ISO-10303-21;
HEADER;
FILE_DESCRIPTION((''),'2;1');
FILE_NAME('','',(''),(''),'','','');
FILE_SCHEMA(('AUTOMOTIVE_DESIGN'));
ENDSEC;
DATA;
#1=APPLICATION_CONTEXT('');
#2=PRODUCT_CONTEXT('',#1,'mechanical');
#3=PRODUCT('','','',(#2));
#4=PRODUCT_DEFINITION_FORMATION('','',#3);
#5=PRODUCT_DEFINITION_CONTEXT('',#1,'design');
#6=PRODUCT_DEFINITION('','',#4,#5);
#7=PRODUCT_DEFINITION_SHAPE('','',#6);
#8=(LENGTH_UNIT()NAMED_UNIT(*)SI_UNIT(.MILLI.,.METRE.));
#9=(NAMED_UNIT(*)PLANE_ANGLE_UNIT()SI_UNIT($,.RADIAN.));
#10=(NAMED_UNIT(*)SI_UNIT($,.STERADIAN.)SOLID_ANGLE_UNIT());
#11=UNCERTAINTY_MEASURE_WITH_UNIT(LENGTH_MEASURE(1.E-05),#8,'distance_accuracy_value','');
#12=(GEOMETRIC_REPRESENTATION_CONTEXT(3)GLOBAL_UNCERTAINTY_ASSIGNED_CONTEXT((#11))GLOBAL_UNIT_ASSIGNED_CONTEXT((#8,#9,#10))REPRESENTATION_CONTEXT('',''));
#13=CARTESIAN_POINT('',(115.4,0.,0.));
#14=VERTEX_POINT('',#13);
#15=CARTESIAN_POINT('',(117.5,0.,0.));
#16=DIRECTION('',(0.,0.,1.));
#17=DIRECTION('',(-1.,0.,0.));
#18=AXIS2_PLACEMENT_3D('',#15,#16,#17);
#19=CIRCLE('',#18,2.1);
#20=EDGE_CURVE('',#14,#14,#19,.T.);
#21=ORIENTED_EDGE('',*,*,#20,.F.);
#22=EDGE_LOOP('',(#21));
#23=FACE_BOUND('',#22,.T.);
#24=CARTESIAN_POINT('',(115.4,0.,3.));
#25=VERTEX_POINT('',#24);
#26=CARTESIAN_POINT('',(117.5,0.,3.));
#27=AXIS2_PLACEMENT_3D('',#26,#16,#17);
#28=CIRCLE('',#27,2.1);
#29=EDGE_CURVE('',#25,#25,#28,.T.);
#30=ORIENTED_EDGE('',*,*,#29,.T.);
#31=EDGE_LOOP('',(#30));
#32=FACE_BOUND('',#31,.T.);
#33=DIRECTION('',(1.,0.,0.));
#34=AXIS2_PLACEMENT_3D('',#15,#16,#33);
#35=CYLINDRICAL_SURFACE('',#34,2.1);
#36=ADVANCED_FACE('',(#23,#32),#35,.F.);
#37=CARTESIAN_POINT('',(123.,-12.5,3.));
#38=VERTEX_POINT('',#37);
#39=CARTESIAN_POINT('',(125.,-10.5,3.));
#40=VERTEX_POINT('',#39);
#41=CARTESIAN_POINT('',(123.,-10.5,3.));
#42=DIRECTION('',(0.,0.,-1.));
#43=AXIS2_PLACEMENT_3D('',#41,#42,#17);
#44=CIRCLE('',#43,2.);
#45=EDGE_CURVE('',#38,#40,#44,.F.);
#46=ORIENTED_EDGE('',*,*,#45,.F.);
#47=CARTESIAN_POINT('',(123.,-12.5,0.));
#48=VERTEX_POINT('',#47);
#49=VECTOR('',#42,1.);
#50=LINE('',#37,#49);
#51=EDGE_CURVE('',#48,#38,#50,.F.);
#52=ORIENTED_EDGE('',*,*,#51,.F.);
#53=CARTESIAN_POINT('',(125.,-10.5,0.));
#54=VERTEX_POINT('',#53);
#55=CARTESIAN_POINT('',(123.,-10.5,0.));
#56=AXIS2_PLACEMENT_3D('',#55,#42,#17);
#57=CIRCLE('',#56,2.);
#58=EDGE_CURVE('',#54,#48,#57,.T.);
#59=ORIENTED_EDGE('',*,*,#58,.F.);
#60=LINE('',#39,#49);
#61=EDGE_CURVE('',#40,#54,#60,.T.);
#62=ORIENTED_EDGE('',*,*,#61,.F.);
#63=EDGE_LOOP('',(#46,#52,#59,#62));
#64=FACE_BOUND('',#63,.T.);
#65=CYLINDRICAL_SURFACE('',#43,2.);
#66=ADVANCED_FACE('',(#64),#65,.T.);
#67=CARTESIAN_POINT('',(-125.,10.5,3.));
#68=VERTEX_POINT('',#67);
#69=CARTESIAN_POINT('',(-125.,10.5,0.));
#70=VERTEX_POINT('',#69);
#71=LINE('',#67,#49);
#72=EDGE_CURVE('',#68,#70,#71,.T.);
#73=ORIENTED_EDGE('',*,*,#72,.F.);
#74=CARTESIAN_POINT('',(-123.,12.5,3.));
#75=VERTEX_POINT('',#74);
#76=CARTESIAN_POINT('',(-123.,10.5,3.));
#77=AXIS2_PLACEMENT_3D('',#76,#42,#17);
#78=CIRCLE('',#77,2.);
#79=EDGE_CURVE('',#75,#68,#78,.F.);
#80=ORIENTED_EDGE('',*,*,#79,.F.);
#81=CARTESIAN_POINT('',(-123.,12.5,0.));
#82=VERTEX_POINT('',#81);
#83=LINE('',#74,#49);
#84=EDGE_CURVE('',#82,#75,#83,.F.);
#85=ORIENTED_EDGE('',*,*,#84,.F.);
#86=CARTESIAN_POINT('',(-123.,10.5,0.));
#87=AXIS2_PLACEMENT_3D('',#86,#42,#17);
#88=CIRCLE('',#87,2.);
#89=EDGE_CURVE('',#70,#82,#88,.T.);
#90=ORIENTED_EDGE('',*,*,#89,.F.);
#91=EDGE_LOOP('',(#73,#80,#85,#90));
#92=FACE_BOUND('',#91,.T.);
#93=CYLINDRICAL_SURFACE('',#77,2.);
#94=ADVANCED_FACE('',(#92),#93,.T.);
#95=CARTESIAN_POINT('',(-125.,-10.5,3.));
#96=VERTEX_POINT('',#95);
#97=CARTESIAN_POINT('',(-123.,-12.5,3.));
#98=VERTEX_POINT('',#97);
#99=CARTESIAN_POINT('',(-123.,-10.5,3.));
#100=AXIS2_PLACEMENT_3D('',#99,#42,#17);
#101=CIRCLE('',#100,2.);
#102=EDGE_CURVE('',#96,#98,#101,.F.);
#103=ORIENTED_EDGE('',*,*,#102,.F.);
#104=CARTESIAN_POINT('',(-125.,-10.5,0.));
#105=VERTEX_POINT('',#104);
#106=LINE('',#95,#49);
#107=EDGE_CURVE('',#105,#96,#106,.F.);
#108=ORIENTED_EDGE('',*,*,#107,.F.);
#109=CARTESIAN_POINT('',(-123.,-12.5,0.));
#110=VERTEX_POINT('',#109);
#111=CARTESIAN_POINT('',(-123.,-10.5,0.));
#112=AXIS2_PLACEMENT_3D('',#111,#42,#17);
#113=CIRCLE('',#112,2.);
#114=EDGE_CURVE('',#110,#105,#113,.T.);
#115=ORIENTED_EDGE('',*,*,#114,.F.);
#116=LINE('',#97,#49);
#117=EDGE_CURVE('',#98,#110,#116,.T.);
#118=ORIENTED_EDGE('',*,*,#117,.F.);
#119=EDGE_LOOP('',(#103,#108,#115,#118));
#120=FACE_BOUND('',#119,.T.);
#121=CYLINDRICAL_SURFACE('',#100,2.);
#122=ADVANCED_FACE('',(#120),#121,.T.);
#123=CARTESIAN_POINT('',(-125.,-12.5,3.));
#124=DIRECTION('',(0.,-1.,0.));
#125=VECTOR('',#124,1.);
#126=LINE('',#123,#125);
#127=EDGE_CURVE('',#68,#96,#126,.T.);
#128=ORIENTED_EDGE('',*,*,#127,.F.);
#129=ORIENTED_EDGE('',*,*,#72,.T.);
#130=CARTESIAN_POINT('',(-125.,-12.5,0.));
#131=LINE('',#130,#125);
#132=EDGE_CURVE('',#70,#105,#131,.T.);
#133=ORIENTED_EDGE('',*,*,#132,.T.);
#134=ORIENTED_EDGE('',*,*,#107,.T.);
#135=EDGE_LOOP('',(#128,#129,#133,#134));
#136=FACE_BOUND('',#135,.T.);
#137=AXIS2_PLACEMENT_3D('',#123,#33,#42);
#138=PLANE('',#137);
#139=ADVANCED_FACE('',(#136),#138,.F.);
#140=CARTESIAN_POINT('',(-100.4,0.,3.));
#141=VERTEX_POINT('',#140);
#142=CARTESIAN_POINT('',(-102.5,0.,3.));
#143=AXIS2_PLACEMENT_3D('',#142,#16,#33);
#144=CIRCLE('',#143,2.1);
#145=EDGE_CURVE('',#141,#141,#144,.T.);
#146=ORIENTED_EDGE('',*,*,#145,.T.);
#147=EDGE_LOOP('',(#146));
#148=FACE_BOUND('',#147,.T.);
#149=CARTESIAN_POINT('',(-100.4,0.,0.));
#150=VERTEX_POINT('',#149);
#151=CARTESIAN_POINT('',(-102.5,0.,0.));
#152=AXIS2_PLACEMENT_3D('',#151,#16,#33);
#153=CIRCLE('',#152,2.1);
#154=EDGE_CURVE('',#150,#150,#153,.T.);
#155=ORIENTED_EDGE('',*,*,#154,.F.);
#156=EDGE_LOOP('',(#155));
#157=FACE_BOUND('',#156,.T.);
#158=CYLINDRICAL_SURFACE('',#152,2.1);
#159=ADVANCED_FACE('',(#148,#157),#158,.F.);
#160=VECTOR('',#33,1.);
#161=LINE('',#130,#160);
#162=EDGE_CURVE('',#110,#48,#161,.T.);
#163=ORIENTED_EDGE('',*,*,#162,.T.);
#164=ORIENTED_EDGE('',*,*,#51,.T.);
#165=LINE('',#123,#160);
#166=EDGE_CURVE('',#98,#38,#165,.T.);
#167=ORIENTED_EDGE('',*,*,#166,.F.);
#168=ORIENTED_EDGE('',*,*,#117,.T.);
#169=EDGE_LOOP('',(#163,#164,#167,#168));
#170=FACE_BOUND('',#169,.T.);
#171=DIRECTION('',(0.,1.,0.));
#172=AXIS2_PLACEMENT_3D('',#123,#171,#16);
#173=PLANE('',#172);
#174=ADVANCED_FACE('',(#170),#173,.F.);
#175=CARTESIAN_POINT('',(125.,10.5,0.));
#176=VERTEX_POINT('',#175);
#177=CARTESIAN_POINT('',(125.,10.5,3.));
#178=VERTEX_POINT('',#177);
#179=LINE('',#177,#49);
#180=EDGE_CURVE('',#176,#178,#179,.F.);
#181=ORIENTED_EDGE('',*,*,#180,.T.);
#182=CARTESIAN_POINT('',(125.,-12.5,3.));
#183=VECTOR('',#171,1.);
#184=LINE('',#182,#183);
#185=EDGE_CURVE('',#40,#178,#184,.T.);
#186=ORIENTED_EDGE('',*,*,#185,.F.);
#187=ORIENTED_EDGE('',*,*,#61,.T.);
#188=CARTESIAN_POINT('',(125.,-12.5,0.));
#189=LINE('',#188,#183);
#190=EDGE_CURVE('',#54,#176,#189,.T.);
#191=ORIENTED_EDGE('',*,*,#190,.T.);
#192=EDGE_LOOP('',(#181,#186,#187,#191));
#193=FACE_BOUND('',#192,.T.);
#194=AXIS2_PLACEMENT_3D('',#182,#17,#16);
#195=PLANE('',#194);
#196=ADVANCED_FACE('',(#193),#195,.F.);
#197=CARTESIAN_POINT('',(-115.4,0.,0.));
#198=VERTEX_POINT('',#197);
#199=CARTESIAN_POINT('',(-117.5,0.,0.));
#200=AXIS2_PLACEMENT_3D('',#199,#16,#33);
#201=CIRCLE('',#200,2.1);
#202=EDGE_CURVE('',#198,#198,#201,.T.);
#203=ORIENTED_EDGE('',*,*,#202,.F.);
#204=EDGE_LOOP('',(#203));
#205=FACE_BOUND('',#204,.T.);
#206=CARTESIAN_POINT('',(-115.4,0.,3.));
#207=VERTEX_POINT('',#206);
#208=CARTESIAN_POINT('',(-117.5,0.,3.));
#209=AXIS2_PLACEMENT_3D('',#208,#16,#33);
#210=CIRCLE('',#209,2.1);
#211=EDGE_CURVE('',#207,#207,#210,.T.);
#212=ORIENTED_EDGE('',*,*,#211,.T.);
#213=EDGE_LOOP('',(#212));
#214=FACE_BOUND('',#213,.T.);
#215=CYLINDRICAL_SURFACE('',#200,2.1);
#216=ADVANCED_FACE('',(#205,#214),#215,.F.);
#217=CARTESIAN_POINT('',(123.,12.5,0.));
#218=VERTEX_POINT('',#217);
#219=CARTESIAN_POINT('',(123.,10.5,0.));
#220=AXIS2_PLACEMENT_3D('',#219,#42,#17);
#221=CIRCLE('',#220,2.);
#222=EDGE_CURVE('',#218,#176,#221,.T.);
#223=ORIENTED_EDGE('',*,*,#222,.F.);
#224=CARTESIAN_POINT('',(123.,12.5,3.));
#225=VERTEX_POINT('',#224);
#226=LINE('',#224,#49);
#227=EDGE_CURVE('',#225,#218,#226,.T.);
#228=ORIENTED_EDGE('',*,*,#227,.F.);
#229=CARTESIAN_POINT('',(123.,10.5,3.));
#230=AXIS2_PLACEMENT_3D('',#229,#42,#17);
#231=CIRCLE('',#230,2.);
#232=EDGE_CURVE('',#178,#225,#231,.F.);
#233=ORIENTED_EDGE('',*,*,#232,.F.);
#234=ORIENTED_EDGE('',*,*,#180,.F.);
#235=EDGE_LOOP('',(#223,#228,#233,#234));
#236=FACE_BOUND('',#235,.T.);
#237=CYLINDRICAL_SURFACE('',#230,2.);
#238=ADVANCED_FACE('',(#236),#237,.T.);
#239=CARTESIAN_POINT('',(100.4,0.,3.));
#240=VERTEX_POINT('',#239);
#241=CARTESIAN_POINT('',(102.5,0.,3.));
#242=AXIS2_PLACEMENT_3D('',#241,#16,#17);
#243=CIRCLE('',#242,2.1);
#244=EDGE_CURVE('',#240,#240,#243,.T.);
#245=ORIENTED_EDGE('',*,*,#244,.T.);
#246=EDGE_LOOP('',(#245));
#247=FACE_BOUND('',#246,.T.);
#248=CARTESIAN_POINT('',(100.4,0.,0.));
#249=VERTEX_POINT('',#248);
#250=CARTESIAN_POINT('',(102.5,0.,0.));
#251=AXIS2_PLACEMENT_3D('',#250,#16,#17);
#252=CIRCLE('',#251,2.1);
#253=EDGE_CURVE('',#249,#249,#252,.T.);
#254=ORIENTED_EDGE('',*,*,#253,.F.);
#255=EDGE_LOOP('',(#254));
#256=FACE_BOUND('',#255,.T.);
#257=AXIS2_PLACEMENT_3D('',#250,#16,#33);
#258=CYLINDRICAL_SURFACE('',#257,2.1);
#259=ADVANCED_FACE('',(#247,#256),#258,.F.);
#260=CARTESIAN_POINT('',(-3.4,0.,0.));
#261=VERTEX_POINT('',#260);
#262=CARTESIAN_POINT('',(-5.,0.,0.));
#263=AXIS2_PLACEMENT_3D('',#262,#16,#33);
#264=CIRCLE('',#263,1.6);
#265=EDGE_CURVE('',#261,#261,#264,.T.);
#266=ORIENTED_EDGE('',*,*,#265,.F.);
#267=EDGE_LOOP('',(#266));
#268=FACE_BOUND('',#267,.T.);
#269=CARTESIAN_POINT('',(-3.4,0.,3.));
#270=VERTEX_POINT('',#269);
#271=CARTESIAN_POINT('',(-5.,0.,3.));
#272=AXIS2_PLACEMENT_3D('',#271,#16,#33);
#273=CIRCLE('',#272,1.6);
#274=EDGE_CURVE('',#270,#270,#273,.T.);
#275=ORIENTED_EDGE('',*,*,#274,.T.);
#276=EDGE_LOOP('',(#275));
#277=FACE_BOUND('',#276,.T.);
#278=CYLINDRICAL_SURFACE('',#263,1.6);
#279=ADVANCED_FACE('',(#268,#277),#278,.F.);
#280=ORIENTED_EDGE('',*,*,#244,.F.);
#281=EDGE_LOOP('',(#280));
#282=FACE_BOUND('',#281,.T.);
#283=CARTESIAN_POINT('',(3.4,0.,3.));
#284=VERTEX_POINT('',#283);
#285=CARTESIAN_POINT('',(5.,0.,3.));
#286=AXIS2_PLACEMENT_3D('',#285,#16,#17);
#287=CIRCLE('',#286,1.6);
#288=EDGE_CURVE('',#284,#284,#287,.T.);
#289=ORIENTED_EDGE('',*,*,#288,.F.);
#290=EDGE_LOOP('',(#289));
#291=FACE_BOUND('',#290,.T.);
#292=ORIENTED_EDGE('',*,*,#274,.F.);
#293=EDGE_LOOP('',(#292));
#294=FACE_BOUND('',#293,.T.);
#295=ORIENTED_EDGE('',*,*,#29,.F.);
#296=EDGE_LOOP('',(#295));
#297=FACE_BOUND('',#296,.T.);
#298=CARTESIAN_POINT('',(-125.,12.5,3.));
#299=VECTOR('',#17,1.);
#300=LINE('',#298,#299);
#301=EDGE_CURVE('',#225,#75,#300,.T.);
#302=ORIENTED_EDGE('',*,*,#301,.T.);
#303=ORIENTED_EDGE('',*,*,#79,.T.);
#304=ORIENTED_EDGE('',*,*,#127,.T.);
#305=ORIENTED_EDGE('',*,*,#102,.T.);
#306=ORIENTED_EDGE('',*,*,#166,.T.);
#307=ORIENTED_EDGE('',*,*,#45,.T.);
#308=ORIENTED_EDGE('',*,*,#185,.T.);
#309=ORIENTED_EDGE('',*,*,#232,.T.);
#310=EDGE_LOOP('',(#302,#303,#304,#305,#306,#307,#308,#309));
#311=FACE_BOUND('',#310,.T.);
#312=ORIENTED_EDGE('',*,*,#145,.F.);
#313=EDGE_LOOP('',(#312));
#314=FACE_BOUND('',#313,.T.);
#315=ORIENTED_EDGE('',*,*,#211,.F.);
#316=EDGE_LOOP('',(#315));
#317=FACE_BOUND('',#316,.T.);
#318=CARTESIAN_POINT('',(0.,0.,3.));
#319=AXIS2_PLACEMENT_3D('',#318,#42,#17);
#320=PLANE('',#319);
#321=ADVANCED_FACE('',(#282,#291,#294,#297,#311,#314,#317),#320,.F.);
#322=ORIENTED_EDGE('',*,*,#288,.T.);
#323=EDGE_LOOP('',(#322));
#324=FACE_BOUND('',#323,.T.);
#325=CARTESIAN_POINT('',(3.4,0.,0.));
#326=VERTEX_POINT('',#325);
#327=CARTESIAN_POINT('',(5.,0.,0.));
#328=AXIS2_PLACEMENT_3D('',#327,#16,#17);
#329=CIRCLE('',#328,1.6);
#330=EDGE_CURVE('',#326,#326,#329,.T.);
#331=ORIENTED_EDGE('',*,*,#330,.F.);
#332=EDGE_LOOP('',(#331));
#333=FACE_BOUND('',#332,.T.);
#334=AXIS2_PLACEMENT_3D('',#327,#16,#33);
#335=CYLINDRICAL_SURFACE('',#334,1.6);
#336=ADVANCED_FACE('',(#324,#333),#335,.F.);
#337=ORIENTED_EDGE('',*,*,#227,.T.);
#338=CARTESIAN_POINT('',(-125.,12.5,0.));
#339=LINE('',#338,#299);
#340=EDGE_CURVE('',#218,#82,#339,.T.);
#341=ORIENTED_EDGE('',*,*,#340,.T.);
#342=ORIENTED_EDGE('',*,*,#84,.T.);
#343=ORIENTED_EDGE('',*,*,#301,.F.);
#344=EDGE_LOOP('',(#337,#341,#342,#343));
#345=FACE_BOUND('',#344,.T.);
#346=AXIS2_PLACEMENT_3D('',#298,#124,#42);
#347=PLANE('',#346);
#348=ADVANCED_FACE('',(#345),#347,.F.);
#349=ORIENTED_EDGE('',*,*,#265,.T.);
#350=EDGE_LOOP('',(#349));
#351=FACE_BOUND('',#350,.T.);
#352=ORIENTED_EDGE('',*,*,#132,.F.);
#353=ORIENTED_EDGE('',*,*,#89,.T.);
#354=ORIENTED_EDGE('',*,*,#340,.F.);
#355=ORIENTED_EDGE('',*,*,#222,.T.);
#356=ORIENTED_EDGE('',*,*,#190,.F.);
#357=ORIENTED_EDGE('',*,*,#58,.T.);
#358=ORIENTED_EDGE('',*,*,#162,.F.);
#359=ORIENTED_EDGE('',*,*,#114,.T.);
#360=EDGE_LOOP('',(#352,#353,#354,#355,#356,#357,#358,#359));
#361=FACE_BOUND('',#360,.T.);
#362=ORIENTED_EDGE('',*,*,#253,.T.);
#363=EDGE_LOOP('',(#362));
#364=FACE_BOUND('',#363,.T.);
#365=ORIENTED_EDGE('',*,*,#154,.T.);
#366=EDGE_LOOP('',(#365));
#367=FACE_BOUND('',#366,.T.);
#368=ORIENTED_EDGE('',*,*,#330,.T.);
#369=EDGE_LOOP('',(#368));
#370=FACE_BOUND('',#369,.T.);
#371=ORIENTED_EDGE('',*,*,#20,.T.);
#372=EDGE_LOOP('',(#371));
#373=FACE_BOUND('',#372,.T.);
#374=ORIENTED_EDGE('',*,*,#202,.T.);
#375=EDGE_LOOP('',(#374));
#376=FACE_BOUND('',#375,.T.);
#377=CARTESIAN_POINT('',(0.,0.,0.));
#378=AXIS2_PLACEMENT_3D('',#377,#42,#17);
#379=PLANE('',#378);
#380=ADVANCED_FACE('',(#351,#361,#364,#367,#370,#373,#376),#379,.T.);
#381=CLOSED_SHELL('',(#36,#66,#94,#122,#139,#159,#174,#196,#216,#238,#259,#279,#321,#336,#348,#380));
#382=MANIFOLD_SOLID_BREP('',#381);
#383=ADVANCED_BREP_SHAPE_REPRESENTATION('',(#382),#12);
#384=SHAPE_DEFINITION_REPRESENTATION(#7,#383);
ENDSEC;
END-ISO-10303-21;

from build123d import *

# Parameters (mm, degrees)
SKETCH_1_W          = 250
SKETCH_1_H          = 25
EXTRUDE_1_DEPTH     = 3
SKETCH_2_R          = 2.1
SKETCH_2_R_2        = 1.6
CUT_EXTRUDE_1_DEPTH = 3
FILLET_1_R          = 2


with BuildPart() as part:
    # 草图1 → 凸台-拉伸1 (new body)
    with BuildSketch(Plane.XY):
        Rectangle(SKETCH_1_W, SKETCH_1_H)
    extrude(amount=EXTRUDE_1_DEPTH)

    # 草图2 → 切除-拉伸1 (cut)
    with BuildSketch(Plane.XY.offset(3)):
        with Locations((-117.5, 0)):
            Circle(SKETCH_2_R)
        with Locations((-102.5, 0)):
            Circle(SKETCH_2_R)
        with Locations(Location((102.5, 0, 0), (0, 0, 180))):
            Circle(SKETCH_2_R)
        with Locations(Location((117.5, 0, 0), (0, 0, 180))):
            Circle(SKETCH_2_R)
        with Locations((-5, 0)):
            Circle(SKETCH_2_R_2)
        with Locations(Location((5, 0, 0), (0, 0, 180))):
            Circle(SKETCH_2_R_2)
    extrude(amount=-CUT_EXTRUDE_1_DEPTH, mode=Mode.SUBTRACT)

    # 圆角1
    fillet_1_edges = [part.edges().sort_by_distance(p)[0] for p in [
        (125, -12.5, 1.5),
        (-125, -12.5, 1.5),
        (-125, 12.5, 1.5),
        (125, 12.5, 1.5),
    ]]
    fillet(fillet_1_edges, radius=FILLET_1_R)


solid = part.part
